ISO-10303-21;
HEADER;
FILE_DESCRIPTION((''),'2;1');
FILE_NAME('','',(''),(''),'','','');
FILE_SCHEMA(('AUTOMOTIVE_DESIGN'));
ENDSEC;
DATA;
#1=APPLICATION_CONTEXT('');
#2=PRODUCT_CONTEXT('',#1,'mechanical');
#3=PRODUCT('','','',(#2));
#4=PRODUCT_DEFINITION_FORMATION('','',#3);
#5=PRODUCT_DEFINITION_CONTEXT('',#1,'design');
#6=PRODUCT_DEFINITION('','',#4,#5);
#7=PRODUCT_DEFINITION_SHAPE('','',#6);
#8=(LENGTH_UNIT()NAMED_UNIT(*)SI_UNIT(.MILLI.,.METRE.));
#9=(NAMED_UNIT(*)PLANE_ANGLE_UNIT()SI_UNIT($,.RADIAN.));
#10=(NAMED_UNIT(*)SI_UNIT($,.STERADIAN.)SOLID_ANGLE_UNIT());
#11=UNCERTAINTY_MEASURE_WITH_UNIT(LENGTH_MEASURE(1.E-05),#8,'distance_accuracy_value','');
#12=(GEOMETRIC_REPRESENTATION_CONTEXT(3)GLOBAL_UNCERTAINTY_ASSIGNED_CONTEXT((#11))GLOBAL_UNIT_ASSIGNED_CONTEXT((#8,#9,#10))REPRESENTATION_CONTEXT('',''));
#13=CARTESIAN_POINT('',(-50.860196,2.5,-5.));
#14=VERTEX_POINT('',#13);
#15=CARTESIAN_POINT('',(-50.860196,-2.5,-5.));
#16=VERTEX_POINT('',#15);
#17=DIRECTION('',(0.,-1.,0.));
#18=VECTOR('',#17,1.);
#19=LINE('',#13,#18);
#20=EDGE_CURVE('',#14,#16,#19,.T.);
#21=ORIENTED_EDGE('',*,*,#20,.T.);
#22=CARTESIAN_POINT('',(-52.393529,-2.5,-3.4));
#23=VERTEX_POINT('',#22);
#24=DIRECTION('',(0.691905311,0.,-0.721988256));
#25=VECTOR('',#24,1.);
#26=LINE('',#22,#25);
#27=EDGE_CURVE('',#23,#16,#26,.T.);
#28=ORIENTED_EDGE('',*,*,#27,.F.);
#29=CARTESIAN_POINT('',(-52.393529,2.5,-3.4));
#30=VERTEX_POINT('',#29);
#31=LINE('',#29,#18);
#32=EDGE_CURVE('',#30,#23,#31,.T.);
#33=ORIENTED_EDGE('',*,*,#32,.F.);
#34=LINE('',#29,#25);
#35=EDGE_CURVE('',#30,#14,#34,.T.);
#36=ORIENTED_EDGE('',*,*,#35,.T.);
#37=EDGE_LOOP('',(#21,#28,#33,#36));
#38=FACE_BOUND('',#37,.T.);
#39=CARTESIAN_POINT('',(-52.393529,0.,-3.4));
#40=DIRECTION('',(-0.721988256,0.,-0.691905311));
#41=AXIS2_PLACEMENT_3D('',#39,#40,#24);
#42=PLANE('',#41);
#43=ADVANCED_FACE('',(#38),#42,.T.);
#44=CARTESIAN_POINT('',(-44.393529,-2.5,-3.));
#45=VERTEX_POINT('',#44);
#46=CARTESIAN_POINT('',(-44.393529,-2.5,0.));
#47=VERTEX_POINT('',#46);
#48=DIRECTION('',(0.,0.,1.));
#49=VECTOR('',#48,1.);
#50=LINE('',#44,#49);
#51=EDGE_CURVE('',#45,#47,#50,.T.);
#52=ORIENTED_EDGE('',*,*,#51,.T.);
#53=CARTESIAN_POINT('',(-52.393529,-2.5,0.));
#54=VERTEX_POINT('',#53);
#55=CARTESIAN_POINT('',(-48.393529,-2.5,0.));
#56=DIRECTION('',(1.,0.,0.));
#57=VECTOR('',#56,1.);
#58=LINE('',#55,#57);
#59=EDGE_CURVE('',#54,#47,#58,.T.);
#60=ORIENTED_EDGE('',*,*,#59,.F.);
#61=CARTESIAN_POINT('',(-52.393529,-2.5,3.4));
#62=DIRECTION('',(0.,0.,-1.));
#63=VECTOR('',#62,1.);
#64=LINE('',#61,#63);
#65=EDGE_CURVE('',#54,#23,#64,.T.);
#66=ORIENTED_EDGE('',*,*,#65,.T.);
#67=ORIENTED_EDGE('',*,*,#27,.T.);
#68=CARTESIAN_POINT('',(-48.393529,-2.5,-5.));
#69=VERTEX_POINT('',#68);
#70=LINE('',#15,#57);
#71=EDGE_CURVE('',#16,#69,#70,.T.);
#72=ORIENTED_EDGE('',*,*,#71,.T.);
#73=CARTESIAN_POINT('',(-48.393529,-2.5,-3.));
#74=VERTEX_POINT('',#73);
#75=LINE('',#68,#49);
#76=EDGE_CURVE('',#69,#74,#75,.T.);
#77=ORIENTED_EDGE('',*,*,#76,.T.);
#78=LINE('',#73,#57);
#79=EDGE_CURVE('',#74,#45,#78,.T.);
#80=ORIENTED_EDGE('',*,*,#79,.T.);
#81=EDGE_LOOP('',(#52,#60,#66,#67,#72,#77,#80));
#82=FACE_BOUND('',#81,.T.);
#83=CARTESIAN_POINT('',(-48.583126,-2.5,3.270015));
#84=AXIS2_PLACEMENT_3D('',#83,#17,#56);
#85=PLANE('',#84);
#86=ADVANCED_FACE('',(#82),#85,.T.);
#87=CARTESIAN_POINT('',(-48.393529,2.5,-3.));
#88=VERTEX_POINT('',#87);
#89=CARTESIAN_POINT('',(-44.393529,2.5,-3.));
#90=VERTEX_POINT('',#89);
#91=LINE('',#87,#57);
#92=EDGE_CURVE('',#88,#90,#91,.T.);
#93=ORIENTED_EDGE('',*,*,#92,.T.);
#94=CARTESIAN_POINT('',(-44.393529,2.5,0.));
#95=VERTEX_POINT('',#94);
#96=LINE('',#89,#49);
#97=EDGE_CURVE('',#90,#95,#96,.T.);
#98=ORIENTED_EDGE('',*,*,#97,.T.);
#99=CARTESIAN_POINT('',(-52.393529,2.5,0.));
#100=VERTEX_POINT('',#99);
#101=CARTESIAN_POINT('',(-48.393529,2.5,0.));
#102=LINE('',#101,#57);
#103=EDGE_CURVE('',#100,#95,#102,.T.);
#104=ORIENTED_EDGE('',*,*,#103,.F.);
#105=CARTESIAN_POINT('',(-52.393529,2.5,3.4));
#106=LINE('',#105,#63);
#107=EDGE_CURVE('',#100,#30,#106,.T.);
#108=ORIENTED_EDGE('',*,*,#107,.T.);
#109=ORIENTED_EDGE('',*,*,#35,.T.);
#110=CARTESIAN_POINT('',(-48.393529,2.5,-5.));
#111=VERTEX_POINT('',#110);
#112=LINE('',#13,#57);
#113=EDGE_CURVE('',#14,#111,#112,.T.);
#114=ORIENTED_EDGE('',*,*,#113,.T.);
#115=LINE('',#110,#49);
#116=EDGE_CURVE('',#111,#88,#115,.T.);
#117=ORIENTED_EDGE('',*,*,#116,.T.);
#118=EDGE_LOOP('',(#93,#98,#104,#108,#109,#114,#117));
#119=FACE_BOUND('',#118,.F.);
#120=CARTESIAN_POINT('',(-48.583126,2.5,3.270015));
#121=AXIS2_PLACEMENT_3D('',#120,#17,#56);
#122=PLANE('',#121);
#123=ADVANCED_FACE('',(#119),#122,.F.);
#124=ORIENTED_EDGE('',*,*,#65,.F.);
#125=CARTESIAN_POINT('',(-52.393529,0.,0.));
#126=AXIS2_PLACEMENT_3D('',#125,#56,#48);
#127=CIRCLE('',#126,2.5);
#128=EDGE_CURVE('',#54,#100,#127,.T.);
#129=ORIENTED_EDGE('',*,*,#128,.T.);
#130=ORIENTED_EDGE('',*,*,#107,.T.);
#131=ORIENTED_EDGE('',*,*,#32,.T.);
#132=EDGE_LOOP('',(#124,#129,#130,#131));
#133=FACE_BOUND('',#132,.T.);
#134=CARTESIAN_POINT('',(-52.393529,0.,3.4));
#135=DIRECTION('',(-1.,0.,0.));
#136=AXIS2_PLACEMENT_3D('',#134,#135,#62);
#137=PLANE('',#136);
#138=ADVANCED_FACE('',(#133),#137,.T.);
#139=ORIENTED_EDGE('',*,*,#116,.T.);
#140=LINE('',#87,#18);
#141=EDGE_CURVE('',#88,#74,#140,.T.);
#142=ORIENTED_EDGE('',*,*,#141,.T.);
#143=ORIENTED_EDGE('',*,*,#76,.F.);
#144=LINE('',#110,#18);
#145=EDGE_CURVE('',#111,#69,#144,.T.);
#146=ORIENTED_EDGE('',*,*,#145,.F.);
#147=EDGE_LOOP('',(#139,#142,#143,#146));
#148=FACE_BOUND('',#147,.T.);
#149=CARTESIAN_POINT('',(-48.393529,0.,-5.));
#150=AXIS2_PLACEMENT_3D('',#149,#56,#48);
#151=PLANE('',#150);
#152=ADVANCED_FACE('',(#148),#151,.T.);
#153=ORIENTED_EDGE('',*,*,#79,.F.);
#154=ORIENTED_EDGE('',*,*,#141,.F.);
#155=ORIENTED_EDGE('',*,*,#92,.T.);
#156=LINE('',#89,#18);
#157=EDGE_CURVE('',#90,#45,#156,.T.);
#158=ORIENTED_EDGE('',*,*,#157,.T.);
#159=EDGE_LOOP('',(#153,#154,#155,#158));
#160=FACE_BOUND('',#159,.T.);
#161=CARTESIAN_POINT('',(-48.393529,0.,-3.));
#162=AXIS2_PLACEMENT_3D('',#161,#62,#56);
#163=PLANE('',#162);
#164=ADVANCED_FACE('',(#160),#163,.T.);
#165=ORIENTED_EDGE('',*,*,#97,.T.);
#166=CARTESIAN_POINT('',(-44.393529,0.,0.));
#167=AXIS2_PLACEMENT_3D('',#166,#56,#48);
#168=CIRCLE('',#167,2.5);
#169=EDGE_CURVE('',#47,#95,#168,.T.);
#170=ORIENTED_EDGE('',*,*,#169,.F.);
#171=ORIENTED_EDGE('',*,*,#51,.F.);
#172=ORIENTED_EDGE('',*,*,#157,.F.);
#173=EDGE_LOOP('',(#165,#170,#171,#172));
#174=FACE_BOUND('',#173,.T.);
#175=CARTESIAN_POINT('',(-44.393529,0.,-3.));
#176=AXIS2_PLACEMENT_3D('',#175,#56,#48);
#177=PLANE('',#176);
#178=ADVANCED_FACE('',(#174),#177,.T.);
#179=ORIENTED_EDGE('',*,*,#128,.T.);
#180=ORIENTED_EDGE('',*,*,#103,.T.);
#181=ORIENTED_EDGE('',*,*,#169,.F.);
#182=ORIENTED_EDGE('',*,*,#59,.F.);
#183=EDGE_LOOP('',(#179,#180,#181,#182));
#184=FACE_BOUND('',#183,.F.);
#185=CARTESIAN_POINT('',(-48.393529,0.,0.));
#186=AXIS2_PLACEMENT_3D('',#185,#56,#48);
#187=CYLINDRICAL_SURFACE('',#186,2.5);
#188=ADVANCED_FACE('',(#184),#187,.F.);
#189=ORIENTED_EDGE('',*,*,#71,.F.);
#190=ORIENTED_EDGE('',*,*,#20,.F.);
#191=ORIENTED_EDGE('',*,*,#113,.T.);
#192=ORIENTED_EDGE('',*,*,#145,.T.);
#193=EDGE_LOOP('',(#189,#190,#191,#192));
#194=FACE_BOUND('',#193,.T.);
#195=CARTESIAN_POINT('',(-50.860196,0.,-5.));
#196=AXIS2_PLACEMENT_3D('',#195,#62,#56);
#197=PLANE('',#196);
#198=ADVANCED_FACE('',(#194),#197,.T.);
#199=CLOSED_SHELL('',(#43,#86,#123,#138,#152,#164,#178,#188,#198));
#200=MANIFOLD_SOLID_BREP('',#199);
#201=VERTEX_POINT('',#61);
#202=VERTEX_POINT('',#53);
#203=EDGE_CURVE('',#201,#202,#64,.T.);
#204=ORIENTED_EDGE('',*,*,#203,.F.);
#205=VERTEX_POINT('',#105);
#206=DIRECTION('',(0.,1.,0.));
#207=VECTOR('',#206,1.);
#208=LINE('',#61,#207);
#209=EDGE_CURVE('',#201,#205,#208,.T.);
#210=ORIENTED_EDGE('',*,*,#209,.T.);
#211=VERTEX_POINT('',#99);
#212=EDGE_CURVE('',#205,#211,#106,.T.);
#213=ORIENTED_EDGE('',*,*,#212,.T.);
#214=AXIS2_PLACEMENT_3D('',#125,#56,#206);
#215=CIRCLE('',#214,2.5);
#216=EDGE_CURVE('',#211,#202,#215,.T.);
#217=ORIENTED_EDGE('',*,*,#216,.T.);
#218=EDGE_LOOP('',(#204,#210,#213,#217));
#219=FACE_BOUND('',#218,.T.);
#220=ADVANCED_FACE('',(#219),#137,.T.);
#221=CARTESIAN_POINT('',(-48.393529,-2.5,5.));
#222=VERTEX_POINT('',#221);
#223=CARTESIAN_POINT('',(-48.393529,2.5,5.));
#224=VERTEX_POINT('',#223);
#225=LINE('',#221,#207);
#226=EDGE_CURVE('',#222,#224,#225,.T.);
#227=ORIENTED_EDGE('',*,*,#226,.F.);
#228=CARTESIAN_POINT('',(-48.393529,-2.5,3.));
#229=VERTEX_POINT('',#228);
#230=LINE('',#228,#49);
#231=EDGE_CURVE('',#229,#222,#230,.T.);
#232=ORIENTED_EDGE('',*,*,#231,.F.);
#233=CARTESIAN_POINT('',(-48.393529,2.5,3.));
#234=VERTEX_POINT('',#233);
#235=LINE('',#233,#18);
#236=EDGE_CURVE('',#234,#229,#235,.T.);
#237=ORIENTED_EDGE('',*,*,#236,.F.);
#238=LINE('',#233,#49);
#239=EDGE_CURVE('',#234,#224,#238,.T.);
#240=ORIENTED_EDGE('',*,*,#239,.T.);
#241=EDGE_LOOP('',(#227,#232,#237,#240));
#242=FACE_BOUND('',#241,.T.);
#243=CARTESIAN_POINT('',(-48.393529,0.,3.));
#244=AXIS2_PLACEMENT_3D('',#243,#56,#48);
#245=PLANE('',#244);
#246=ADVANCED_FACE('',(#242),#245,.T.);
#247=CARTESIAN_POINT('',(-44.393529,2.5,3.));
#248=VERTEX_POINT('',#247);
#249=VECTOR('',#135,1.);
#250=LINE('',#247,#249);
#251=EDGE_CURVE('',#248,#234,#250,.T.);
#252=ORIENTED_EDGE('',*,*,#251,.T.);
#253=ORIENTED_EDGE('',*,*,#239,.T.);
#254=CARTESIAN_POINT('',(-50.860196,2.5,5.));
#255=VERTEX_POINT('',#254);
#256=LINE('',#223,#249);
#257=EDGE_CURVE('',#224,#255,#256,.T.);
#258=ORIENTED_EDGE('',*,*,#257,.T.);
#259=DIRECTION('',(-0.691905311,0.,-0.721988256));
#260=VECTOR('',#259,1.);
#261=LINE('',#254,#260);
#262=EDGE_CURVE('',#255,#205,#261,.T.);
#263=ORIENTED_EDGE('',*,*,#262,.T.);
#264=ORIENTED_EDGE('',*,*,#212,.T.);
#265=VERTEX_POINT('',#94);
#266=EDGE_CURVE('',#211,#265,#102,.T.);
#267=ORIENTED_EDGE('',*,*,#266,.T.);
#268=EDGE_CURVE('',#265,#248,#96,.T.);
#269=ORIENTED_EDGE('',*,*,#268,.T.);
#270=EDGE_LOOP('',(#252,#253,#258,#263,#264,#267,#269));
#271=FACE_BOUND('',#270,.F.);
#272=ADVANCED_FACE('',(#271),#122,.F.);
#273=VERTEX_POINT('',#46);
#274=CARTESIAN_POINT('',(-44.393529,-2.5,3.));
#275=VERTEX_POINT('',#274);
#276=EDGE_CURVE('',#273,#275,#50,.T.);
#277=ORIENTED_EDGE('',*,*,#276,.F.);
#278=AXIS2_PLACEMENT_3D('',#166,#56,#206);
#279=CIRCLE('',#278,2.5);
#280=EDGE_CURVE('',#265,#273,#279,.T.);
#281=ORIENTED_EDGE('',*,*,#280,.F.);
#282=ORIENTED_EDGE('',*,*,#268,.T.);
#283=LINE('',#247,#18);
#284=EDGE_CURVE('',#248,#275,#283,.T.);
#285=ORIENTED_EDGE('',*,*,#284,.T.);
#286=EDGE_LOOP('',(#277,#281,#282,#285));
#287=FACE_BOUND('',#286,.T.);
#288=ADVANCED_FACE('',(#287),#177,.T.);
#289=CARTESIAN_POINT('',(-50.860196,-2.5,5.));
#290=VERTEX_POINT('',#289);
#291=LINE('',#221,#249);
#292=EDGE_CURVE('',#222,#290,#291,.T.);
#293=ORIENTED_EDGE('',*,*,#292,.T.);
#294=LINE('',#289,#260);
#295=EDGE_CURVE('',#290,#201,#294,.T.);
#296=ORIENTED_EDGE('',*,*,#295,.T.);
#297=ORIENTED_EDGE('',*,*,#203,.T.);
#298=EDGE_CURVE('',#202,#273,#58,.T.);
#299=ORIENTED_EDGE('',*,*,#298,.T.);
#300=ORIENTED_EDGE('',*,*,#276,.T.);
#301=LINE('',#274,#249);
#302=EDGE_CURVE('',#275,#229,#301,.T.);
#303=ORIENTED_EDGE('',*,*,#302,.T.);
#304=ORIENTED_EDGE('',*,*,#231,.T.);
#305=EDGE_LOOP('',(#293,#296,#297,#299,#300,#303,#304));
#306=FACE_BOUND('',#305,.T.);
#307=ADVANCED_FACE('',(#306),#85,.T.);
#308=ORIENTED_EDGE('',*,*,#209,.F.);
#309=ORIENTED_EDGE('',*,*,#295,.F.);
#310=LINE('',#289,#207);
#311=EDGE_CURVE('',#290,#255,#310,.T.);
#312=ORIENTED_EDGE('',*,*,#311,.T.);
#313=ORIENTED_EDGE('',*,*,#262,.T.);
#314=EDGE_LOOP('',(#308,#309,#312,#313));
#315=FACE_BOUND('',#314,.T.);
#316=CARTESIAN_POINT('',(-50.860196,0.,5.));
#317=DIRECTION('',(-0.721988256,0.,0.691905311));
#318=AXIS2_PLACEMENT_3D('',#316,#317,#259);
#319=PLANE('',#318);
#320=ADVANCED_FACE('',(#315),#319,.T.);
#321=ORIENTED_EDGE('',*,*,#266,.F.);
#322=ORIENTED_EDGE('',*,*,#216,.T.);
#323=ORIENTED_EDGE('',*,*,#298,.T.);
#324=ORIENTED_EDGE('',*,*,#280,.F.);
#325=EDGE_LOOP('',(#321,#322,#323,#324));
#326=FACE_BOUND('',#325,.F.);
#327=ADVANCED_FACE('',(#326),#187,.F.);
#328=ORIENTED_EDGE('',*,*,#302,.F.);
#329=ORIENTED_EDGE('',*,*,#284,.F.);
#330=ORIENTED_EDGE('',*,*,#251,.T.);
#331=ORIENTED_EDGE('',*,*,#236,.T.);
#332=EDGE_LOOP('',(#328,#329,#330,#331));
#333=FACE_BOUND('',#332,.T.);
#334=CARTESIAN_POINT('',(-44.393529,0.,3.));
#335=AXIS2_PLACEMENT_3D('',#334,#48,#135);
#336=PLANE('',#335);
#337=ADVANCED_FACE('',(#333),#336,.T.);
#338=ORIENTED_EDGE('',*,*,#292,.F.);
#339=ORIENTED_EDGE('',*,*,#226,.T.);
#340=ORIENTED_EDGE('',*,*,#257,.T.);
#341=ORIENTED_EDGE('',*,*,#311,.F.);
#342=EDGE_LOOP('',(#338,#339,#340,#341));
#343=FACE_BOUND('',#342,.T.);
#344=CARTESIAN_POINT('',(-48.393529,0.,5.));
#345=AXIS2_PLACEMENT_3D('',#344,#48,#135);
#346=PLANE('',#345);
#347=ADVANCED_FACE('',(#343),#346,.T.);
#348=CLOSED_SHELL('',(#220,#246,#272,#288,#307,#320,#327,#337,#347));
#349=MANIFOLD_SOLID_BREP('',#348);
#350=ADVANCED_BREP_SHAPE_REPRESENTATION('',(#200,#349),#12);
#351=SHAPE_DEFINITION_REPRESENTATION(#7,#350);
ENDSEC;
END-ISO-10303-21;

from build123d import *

# Parameters (mm, degrees)
F0_W     = 8
F0_H     = 2.5
F1_DEPTH = 2.5


with BuildPart() as f1:
    # F0 (on Front) → F1 (new body, symmetric)
    with BuildSketch(Plane.XZ):
        Polygon((-52.3935292214, 3.4), (-52.3935292214, 2.5), (-44.3935292214, 2.5), (-44.3935292214, 3), (-48.3935292214, 3), (-48.3935292214, 5), (-50.860196112, 5), align=None)
        with Locations((-48.3935292214, 1.25)):
            Rectangle(F0_W, F0_H)
        Polygon((-44.3935292214, -2.5), (-52.3935292214, -2.5), (-52.3935292214, -3.4), (-50.860196112, -5), (-48.3935292214, -5), (-48.3935292214, -3), (-44.3935292214, -3), align=None)
        with Locations((-48.3935292214, -1.25)):
            Rectangle(F0_W, F0_H)
    extrude(amount=F1_DEPTH, both=True)

    # F0 (on Front) → F2 (revolve, cut)
    with BuildSketch(Plane.XZ):
        with Locations((-48.3935292214, 1.25)):
            Rectangle(F0_W, F0_H)
    revolve(axis=Axis((-48.0549484491, 0, 0), (1, 0, 0)), mode=Mode.SUBTRACT)


solid = f1.part
